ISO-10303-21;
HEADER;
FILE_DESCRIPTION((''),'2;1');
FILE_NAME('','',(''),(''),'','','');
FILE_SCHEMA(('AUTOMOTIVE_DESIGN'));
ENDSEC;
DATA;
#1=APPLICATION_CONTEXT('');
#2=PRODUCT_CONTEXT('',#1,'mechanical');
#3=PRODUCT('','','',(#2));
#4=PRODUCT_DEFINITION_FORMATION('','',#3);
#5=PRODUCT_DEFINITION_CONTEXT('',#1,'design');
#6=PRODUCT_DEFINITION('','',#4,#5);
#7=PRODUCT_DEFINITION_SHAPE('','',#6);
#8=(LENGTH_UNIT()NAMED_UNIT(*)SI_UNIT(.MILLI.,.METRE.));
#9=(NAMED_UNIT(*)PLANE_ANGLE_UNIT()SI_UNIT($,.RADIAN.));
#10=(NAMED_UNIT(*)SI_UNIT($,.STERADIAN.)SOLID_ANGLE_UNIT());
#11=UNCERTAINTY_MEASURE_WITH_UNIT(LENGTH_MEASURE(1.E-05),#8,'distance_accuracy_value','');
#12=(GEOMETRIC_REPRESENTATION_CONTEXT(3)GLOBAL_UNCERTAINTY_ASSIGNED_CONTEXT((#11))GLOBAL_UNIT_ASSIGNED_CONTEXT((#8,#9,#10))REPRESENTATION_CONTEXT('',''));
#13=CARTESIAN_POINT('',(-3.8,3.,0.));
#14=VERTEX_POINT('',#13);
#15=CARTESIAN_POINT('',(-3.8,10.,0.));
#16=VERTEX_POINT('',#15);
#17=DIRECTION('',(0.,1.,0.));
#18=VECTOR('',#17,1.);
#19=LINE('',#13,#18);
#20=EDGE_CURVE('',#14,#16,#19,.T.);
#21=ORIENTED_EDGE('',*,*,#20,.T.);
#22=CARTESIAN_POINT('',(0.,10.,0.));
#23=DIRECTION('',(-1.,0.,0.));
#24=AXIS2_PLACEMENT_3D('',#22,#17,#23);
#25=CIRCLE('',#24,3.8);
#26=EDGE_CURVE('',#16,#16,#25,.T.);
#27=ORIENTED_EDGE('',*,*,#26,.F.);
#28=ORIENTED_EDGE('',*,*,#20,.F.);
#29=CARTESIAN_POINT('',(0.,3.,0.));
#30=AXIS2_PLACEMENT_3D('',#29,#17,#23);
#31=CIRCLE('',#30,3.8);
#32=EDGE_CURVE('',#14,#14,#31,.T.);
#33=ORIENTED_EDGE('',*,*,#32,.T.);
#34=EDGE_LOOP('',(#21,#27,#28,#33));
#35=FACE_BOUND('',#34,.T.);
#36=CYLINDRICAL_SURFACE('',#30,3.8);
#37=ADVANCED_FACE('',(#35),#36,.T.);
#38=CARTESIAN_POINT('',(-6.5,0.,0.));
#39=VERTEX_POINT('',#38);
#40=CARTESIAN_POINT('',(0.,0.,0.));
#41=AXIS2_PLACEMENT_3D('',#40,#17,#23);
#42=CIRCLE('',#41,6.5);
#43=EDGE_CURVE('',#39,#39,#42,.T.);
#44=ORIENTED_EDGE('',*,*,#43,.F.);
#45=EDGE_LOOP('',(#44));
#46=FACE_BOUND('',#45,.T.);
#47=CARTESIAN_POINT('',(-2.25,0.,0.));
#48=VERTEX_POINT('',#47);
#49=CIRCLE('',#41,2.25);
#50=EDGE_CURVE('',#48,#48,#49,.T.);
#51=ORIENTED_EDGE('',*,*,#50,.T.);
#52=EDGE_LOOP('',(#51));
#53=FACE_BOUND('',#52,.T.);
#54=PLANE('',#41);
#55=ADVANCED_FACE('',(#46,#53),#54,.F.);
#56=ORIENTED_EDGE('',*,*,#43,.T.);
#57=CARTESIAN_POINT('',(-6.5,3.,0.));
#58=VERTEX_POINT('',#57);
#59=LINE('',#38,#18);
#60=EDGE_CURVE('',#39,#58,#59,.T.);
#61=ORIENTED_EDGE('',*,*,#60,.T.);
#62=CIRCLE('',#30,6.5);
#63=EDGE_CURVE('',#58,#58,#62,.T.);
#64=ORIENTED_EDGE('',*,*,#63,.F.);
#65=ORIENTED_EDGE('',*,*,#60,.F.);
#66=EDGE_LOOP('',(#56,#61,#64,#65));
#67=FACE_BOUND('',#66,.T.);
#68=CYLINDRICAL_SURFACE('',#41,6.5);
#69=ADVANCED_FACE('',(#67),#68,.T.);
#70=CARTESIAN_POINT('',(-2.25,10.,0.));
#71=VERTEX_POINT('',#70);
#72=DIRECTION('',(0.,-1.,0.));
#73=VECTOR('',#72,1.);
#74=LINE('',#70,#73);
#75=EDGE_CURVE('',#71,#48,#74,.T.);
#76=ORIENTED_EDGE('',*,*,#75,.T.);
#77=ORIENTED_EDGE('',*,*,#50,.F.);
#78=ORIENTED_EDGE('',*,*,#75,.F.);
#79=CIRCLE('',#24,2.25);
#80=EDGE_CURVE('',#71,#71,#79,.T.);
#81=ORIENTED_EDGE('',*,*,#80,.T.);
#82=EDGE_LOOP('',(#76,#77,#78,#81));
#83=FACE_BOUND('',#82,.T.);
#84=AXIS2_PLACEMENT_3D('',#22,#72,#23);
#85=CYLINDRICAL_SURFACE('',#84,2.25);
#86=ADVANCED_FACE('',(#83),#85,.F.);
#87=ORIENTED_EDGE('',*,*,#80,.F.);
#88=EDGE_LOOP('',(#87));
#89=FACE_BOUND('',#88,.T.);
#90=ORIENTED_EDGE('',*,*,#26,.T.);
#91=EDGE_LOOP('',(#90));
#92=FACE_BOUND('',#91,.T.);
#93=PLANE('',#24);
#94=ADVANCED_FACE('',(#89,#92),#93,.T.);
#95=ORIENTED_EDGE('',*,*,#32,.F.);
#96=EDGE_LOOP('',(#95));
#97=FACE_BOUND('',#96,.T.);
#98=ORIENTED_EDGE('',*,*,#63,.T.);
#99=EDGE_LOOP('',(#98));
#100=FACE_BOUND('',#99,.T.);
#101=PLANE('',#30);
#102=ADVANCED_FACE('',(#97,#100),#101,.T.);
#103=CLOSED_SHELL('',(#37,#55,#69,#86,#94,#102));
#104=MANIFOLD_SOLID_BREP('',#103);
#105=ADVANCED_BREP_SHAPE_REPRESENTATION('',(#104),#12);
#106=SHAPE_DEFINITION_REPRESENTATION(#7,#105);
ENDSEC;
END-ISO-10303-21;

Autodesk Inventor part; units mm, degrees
ref_plane "YZ Plane" through (0, 0, 0) normal (1, 0, 0) x (0, 1, 0)
ref_plane "XZ Plane" through (0, 0, 0) normal (0, 1, 0) x (-1, 0, 0)
ref_plane "XY Plane" through (0, 0, 0) normal (0, 0, 1) x (1, 0, 0)
sketch "スケッチ1" plane through (0, 0, 0) normal (0, 0, 1) x (1, 0, 0)
  line L0 (-2.25, 10) -> (-2.25, 0)
  line L1 (-2.25, 0) -> (-6.5, 0)
  line L2 (-6.5, 0) -> (-6.5, 3)
  line L3 (-6.5, 3) -> (-3.8, 3)
  line L4 (-3.8, 3) -> (-3.8, 10)
  line L5 (-3.8, 10) -> (-2.25, 10)
  line L6 (0, 0) -> (0, 10) construction
  dimension "d0" = 2.25
  dimension "d1" = 3.8
  dimension "d2" = 6.5
  dimension "d3" = 3
  dimension "d6" = 7
revolve "回転1" add sketch "スケッチ1" angle 360 about axis through (0, 0, 0) along (0, 1, 0)
properties part number "omu_3d_jo_5" material "ABS プラスチック"
